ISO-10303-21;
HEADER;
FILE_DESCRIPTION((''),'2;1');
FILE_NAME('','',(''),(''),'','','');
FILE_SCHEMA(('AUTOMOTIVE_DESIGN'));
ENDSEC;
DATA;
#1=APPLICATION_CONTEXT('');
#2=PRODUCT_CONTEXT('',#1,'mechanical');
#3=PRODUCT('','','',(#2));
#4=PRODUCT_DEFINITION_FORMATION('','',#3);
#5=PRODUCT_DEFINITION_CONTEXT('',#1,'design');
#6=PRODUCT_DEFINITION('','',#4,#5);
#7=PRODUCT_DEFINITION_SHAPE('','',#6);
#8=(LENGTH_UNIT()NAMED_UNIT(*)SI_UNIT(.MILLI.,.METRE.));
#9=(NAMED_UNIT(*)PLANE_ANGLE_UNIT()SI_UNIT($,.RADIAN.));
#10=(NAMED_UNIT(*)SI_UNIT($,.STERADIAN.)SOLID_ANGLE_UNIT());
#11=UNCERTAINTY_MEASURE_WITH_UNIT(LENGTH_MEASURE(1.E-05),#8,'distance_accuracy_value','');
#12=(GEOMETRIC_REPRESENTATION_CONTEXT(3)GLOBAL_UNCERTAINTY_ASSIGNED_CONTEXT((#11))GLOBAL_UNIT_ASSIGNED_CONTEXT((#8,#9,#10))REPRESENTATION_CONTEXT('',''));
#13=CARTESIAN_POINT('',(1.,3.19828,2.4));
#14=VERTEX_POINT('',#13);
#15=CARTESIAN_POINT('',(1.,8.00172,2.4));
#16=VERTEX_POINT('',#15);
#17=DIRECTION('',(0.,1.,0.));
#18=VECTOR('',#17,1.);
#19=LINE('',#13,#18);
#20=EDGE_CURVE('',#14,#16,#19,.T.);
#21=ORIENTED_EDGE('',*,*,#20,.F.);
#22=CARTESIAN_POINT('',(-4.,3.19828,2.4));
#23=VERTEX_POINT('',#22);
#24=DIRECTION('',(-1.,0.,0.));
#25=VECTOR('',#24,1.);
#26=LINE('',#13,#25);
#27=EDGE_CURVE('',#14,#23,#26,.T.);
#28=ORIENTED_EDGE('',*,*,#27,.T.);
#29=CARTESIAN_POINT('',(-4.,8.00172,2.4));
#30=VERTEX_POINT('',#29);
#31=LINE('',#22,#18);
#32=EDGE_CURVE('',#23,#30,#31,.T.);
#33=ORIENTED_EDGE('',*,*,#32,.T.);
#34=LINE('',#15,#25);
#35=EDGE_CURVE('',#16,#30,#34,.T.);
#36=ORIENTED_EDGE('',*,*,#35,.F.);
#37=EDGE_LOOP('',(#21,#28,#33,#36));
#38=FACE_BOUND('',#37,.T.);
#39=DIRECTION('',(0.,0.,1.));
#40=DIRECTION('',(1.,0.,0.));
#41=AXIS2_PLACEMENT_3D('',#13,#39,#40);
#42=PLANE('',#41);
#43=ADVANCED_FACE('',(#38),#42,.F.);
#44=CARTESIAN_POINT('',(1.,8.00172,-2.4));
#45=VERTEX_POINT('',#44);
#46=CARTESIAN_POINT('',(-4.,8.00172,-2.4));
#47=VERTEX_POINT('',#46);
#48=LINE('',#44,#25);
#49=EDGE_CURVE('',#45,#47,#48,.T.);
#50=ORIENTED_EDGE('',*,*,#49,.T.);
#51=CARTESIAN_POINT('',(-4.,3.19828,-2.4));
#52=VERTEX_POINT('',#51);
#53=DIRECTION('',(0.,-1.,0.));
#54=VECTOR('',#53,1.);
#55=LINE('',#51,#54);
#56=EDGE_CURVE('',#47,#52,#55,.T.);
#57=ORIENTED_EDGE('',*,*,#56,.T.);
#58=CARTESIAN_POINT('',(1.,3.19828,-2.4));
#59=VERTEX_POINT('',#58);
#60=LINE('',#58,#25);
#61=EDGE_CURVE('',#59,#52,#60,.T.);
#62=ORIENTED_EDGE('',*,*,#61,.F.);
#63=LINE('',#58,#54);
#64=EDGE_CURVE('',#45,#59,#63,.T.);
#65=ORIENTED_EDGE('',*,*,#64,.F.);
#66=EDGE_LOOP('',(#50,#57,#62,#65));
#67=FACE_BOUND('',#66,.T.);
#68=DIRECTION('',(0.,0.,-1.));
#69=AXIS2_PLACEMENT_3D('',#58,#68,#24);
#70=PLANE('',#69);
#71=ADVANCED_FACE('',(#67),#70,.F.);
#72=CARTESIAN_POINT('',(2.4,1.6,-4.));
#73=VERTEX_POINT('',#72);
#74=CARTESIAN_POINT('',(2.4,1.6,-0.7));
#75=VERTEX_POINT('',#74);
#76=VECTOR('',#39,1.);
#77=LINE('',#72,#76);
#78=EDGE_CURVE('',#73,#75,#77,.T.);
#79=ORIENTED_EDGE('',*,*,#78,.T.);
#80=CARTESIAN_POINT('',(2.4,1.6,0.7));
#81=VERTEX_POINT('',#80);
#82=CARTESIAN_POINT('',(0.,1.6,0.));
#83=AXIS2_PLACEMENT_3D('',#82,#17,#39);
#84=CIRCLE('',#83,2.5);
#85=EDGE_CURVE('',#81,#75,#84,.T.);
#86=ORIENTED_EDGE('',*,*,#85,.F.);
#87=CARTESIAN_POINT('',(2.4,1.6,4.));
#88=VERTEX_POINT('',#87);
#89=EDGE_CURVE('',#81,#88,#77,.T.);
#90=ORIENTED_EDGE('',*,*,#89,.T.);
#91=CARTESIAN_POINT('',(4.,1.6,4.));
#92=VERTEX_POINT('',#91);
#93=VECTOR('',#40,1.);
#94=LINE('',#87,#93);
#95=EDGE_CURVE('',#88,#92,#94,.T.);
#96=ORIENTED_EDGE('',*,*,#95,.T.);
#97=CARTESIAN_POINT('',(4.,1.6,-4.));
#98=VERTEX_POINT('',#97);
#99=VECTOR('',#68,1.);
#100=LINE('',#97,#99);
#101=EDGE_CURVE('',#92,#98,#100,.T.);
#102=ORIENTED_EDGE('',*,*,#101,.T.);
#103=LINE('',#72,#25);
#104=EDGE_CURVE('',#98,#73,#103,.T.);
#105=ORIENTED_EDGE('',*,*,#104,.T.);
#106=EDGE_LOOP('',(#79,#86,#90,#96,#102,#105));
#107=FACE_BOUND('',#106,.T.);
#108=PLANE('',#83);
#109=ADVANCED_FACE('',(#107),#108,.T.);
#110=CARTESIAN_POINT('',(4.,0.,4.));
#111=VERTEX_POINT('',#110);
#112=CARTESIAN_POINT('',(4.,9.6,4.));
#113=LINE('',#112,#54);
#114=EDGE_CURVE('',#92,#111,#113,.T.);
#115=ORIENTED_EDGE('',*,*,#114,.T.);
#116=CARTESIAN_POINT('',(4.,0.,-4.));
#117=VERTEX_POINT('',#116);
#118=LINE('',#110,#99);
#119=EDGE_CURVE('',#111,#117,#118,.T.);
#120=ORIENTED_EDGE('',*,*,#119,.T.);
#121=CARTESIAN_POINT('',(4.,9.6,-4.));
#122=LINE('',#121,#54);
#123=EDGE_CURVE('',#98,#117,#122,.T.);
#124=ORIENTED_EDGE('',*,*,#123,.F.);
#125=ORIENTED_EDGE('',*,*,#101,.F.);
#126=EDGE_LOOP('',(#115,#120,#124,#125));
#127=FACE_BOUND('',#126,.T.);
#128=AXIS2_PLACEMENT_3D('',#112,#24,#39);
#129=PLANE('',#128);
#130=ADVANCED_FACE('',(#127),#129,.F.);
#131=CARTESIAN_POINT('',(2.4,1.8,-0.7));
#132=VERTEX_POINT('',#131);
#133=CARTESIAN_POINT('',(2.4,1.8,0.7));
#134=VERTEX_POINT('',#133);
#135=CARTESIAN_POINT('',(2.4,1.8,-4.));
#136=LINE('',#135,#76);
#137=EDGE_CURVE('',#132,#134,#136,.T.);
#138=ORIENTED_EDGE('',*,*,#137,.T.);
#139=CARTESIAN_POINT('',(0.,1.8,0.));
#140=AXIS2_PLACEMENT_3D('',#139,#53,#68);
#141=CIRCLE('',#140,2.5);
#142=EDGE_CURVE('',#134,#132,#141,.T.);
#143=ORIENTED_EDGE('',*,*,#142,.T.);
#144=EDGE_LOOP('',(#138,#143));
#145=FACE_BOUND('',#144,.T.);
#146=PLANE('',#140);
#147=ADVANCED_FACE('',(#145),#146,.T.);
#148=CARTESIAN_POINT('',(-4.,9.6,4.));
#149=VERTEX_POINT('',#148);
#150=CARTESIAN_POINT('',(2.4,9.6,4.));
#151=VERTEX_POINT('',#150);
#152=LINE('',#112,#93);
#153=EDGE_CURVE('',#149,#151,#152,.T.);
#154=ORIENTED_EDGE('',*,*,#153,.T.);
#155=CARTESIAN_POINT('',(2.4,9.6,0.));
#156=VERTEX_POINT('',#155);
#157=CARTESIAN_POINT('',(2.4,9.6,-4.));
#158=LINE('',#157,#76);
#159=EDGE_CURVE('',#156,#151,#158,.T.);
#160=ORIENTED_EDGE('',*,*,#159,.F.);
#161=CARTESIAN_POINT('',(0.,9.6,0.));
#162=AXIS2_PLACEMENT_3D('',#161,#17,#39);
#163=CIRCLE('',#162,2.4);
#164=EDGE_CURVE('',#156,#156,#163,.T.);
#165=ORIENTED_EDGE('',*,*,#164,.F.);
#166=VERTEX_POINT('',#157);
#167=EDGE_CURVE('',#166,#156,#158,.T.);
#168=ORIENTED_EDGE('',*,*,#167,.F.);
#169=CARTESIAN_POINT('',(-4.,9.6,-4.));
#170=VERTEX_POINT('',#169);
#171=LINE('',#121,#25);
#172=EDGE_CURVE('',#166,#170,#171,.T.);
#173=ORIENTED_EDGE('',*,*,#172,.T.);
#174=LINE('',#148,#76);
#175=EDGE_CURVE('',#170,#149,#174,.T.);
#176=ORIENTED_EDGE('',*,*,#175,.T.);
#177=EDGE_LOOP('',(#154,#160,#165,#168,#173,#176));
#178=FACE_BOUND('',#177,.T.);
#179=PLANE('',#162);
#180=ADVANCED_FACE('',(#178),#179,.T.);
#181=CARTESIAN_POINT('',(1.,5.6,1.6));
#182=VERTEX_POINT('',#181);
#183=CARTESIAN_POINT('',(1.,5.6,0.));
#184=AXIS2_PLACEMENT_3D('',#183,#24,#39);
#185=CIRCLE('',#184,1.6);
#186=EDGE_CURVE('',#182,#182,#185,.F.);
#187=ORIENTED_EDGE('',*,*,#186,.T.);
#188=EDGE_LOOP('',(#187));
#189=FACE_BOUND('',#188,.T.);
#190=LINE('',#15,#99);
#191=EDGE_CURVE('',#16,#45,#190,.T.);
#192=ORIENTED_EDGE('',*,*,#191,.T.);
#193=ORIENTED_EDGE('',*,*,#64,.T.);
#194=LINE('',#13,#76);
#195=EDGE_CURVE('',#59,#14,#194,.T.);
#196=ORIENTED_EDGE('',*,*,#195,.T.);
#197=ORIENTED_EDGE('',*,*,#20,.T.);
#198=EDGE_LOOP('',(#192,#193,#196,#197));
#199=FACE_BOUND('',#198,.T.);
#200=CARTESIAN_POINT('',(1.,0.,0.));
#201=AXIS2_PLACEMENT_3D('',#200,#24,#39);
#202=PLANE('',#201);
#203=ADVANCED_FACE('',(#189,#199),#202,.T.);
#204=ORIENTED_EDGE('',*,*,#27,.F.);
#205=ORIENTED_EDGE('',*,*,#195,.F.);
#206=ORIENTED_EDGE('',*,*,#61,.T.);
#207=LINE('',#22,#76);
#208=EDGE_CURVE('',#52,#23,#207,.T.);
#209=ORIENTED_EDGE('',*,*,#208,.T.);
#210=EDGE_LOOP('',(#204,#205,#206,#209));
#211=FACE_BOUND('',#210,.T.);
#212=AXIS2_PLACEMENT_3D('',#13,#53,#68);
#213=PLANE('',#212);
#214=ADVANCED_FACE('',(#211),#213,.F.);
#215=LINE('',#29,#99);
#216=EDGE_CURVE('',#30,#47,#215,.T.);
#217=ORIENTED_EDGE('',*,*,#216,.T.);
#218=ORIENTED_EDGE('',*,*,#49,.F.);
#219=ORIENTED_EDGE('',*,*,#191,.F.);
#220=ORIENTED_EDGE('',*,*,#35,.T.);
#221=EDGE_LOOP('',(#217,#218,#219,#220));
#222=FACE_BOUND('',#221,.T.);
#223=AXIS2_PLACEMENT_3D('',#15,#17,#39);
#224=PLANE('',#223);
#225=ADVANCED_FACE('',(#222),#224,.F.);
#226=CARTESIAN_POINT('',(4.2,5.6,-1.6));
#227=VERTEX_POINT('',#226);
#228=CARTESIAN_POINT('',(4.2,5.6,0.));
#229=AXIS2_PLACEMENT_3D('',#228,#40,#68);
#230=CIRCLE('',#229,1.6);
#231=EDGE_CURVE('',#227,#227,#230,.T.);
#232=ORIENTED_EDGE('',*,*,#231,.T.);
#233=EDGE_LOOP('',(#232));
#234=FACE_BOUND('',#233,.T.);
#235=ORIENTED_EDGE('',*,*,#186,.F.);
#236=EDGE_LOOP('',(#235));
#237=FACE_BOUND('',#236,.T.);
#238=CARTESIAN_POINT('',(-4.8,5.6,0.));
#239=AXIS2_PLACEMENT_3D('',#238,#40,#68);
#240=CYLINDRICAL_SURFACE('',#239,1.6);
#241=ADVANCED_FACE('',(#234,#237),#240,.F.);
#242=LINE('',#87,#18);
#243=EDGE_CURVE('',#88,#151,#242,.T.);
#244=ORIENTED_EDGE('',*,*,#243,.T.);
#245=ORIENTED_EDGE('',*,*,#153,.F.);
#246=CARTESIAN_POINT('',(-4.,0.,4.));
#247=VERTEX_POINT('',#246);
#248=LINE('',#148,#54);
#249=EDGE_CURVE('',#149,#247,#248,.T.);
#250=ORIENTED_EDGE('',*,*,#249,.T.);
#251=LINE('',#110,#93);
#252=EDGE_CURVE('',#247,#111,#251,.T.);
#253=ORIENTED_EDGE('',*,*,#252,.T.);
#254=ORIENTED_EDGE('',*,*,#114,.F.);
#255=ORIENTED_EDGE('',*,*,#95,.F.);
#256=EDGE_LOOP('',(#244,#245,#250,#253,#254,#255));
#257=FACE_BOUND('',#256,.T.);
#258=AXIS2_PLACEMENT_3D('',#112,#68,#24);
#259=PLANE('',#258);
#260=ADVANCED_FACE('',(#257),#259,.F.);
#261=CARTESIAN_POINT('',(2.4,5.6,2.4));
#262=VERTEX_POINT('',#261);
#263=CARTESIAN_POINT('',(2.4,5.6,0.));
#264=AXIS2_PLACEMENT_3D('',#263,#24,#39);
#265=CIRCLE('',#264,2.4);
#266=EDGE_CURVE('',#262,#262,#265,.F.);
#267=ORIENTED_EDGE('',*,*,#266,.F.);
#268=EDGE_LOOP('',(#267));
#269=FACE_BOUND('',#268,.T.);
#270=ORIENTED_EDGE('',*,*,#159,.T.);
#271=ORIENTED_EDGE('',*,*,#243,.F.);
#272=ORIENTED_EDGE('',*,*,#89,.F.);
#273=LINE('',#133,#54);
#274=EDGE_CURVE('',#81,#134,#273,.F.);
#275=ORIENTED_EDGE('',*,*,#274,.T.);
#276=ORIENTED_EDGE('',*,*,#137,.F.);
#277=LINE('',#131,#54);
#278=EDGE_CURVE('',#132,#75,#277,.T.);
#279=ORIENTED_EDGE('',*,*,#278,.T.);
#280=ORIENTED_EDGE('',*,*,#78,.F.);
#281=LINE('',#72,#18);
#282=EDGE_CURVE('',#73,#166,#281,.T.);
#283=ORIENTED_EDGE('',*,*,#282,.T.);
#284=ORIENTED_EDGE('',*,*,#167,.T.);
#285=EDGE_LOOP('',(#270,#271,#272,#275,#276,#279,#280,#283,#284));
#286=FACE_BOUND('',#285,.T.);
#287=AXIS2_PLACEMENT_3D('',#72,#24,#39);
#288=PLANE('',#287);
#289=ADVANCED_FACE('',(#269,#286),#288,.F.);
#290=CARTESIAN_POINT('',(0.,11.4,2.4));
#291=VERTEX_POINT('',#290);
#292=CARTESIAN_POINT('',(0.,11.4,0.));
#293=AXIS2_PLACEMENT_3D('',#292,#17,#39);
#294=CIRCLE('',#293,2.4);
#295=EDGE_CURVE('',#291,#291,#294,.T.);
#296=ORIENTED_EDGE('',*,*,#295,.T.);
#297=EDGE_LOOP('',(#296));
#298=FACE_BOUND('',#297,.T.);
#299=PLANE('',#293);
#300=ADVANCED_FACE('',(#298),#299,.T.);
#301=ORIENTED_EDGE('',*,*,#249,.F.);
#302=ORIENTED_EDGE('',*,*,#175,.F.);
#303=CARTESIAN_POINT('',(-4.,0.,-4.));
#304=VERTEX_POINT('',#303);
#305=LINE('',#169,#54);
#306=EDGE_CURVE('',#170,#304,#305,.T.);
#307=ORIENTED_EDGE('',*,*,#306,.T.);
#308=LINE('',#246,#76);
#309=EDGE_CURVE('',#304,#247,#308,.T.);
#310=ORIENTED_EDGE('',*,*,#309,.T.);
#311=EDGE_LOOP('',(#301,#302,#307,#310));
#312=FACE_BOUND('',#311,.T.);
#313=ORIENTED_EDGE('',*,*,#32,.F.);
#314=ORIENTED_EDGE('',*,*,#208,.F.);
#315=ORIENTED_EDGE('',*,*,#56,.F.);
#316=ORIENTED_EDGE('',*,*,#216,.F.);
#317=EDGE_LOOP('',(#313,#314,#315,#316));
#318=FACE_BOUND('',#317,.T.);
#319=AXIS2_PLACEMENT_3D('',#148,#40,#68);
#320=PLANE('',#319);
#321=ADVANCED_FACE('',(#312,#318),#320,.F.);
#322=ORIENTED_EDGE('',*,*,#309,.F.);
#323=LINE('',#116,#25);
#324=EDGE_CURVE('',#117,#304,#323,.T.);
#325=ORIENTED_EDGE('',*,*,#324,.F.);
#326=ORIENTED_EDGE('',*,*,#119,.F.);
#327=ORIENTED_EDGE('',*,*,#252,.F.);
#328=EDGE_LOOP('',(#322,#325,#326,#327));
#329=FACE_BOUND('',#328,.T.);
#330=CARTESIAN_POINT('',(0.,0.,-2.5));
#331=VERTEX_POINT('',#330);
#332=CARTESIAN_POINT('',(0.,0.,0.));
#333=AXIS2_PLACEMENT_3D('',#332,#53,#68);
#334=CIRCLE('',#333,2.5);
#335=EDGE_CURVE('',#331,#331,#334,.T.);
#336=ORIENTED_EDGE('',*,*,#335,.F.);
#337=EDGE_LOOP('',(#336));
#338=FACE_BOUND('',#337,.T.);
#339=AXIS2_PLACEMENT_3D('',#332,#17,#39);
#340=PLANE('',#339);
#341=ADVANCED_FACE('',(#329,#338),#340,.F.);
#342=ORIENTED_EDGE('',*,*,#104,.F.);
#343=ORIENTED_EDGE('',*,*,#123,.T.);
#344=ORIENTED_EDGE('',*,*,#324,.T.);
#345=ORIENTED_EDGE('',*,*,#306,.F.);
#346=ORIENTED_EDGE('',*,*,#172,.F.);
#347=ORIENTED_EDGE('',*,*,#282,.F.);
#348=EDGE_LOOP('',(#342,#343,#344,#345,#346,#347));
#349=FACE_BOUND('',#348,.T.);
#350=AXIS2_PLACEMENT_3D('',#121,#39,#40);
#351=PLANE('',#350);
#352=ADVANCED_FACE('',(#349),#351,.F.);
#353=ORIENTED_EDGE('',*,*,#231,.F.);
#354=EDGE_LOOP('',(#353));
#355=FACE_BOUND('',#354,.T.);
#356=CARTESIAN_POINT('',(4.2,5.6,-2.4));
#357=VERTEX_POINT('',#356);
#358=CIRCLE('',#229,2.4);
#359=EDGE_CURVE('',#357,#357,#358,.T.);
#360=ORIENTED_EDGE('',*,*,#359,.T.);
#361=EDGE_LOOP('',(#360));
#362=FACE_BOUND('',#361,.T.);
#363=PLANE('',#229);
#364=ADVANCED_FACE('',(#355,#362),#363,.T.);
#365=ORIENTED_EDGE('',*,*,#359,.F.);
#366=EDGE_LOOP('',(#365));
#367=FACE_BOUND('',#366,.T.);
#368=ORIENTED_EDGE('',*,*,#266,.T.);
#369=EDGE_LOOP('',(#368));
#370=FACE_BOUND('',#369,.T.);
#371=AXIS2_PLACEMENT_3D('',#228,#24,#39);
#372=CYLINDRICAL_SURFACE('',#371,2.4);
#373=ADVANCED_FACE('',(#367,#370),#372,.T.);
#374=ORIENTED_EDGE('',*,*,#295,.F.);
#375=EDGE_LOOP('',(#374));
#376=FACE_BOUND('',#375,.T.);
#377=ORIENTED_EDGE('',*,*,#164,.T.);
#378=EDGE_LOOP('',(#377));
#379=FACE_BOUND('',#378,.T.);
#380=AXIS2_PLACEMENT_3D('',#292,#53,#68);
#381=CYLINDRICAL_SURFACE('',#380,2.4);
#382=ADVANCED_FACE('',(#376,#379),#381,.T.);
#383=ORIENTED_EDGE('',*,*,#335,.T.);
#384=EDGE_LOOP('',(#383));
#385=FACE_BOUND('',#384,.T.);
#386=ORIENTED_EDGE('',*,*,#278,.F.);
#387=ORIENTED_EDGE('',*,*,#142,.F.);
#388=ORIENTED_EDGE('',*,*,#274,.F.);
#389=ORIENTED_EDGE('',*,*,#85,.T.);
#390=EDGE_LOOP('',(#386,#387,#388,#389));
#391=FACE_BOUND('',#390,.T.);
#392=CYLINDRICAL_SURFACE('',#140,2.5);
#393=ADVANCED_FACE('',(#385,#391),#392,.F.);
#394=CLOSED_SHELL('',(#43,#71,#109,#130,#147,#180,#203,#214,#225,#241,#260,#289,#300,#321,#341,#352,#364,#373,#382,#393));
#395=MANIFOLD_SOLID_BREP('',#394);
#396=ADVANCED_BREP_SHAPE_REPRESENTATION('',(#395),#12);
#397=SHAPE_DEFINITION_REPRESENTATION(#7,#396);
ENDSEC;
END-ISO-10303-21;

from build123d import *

# Parameters (mm, degrees)
SKETCH_1_W          = 8
SKETCH_1_H          = 8
EXTRUDE_1_DEPTH     = 9.6
SKETCH_2_W          = 1.6
SKETCH_2_H          = 8
CUT_EXTRUDE_1_DEPTH = 8
SKETCH_5_R          = 2.4
EXTRUDE_2_DEPTH     = 1.8
SKETCH_8_R          = 1.6
CUT_EXTRUDE_3_DEPTH = 9
SKETCH_9_R          = 2.4
EXTRUDE_3_DEPTH     = 1.8
SKETCH_13_W         = 4.8
SKETCH_13_H         = 4.803439306
CUT_EXTRUDE_4_DEPTH = 5
SKETCH_15_R         = 2.5
CUT_EXTRUDE_5_DEPTH = 1.8


with BuildPart() as part:
    # Эскиз1 → Бобышка-Вытянуть1 (new body)
    with BuildSketch(Plane(origin=(0, 0, 0), x_dir=(1, 0, 0), z_dir=(0, 1, 0))):
        Rectangle(SKETCH_1_W, SKETCH_1_H)
    extrude(amount=EXTRUDE_1_DEPTH)

    # Эскиз2 → Вырез-Вытянуть1 (cut)
    with BuildSketch(Plane(origin=(0, 9.6, 0), x_dir=(1, 0, 0), z_dir=(0, 1, 0))):
        with Locations((3.2, 0)):
            Rectangle(SKETCH_2_W, SKETCH_2_H)
    extrude(amount=-CUT_EXTRUDE_1_DEPTH, mode=Mode.SUBTRACT)

    # Эскиз5 → Бобышка-Вытянуть2 (add)
    with BuildSketch(Plane(origin=(2.4, 0, 0), x_dir=(0, 0, -1), z_dir=(1, 0, 0))):
        with Locations(Location((0, 5.6, 0), (0, 0, 180))):
            Circle(SKETCH_5_R)
    extrude(amount=EXTRUDE_2_DEPTH)

    # Эскиз8 → Вырез-Вытянуть3 (cut)
    with BuildSketch(Plane(origin=(4.2, 0, 0), x_dir=(0, 0, -1), z_dir=(1, 0, 0))):
        with Locations((0, 5.6)):
            Circle(SKETCH_8_R)
    extrude(amount=-CUT_EXTRUDE_3_DEPTH, mode=Mode.SUBTRACT)

    # Эскиз9 → Бобышка-Вытянуть3 (add)
    with BuildSketch(Plane(origin=(0, 9.6, 0), x_dir=(1, 0, 0), z_dir=(0, 1, 0))):
        Circle(SKETCH_9_R)
    extrude(amount=EXTRUDE_3_DEPTH)

    # Эскиз13 → Вырез-Вытянуть4 (cut)
    with BuildSketch(Plane.ZY.offset(4)):
        with Locations((0, 5.6)):
            Rectangle(SKETCH_13_W, SKETCH_13_H)
    extrude(amount=-CUT_EXTRUDE_4_DEPTH, mode=Mode.SUBTRACT)

    # Эскиз15 → Вырез-Вытянуть5 (cut)
    with BuildSketch(Plane.XZ):
        with Locations(Location((0, 0, 0), (0, 0, 270))):
            Circle(SKETCH_15_R)
    extrude(amount=-CUT_EXTRUDE_5_DEPTH, mode=Mode.SUBTRACT)


solid = part.part
